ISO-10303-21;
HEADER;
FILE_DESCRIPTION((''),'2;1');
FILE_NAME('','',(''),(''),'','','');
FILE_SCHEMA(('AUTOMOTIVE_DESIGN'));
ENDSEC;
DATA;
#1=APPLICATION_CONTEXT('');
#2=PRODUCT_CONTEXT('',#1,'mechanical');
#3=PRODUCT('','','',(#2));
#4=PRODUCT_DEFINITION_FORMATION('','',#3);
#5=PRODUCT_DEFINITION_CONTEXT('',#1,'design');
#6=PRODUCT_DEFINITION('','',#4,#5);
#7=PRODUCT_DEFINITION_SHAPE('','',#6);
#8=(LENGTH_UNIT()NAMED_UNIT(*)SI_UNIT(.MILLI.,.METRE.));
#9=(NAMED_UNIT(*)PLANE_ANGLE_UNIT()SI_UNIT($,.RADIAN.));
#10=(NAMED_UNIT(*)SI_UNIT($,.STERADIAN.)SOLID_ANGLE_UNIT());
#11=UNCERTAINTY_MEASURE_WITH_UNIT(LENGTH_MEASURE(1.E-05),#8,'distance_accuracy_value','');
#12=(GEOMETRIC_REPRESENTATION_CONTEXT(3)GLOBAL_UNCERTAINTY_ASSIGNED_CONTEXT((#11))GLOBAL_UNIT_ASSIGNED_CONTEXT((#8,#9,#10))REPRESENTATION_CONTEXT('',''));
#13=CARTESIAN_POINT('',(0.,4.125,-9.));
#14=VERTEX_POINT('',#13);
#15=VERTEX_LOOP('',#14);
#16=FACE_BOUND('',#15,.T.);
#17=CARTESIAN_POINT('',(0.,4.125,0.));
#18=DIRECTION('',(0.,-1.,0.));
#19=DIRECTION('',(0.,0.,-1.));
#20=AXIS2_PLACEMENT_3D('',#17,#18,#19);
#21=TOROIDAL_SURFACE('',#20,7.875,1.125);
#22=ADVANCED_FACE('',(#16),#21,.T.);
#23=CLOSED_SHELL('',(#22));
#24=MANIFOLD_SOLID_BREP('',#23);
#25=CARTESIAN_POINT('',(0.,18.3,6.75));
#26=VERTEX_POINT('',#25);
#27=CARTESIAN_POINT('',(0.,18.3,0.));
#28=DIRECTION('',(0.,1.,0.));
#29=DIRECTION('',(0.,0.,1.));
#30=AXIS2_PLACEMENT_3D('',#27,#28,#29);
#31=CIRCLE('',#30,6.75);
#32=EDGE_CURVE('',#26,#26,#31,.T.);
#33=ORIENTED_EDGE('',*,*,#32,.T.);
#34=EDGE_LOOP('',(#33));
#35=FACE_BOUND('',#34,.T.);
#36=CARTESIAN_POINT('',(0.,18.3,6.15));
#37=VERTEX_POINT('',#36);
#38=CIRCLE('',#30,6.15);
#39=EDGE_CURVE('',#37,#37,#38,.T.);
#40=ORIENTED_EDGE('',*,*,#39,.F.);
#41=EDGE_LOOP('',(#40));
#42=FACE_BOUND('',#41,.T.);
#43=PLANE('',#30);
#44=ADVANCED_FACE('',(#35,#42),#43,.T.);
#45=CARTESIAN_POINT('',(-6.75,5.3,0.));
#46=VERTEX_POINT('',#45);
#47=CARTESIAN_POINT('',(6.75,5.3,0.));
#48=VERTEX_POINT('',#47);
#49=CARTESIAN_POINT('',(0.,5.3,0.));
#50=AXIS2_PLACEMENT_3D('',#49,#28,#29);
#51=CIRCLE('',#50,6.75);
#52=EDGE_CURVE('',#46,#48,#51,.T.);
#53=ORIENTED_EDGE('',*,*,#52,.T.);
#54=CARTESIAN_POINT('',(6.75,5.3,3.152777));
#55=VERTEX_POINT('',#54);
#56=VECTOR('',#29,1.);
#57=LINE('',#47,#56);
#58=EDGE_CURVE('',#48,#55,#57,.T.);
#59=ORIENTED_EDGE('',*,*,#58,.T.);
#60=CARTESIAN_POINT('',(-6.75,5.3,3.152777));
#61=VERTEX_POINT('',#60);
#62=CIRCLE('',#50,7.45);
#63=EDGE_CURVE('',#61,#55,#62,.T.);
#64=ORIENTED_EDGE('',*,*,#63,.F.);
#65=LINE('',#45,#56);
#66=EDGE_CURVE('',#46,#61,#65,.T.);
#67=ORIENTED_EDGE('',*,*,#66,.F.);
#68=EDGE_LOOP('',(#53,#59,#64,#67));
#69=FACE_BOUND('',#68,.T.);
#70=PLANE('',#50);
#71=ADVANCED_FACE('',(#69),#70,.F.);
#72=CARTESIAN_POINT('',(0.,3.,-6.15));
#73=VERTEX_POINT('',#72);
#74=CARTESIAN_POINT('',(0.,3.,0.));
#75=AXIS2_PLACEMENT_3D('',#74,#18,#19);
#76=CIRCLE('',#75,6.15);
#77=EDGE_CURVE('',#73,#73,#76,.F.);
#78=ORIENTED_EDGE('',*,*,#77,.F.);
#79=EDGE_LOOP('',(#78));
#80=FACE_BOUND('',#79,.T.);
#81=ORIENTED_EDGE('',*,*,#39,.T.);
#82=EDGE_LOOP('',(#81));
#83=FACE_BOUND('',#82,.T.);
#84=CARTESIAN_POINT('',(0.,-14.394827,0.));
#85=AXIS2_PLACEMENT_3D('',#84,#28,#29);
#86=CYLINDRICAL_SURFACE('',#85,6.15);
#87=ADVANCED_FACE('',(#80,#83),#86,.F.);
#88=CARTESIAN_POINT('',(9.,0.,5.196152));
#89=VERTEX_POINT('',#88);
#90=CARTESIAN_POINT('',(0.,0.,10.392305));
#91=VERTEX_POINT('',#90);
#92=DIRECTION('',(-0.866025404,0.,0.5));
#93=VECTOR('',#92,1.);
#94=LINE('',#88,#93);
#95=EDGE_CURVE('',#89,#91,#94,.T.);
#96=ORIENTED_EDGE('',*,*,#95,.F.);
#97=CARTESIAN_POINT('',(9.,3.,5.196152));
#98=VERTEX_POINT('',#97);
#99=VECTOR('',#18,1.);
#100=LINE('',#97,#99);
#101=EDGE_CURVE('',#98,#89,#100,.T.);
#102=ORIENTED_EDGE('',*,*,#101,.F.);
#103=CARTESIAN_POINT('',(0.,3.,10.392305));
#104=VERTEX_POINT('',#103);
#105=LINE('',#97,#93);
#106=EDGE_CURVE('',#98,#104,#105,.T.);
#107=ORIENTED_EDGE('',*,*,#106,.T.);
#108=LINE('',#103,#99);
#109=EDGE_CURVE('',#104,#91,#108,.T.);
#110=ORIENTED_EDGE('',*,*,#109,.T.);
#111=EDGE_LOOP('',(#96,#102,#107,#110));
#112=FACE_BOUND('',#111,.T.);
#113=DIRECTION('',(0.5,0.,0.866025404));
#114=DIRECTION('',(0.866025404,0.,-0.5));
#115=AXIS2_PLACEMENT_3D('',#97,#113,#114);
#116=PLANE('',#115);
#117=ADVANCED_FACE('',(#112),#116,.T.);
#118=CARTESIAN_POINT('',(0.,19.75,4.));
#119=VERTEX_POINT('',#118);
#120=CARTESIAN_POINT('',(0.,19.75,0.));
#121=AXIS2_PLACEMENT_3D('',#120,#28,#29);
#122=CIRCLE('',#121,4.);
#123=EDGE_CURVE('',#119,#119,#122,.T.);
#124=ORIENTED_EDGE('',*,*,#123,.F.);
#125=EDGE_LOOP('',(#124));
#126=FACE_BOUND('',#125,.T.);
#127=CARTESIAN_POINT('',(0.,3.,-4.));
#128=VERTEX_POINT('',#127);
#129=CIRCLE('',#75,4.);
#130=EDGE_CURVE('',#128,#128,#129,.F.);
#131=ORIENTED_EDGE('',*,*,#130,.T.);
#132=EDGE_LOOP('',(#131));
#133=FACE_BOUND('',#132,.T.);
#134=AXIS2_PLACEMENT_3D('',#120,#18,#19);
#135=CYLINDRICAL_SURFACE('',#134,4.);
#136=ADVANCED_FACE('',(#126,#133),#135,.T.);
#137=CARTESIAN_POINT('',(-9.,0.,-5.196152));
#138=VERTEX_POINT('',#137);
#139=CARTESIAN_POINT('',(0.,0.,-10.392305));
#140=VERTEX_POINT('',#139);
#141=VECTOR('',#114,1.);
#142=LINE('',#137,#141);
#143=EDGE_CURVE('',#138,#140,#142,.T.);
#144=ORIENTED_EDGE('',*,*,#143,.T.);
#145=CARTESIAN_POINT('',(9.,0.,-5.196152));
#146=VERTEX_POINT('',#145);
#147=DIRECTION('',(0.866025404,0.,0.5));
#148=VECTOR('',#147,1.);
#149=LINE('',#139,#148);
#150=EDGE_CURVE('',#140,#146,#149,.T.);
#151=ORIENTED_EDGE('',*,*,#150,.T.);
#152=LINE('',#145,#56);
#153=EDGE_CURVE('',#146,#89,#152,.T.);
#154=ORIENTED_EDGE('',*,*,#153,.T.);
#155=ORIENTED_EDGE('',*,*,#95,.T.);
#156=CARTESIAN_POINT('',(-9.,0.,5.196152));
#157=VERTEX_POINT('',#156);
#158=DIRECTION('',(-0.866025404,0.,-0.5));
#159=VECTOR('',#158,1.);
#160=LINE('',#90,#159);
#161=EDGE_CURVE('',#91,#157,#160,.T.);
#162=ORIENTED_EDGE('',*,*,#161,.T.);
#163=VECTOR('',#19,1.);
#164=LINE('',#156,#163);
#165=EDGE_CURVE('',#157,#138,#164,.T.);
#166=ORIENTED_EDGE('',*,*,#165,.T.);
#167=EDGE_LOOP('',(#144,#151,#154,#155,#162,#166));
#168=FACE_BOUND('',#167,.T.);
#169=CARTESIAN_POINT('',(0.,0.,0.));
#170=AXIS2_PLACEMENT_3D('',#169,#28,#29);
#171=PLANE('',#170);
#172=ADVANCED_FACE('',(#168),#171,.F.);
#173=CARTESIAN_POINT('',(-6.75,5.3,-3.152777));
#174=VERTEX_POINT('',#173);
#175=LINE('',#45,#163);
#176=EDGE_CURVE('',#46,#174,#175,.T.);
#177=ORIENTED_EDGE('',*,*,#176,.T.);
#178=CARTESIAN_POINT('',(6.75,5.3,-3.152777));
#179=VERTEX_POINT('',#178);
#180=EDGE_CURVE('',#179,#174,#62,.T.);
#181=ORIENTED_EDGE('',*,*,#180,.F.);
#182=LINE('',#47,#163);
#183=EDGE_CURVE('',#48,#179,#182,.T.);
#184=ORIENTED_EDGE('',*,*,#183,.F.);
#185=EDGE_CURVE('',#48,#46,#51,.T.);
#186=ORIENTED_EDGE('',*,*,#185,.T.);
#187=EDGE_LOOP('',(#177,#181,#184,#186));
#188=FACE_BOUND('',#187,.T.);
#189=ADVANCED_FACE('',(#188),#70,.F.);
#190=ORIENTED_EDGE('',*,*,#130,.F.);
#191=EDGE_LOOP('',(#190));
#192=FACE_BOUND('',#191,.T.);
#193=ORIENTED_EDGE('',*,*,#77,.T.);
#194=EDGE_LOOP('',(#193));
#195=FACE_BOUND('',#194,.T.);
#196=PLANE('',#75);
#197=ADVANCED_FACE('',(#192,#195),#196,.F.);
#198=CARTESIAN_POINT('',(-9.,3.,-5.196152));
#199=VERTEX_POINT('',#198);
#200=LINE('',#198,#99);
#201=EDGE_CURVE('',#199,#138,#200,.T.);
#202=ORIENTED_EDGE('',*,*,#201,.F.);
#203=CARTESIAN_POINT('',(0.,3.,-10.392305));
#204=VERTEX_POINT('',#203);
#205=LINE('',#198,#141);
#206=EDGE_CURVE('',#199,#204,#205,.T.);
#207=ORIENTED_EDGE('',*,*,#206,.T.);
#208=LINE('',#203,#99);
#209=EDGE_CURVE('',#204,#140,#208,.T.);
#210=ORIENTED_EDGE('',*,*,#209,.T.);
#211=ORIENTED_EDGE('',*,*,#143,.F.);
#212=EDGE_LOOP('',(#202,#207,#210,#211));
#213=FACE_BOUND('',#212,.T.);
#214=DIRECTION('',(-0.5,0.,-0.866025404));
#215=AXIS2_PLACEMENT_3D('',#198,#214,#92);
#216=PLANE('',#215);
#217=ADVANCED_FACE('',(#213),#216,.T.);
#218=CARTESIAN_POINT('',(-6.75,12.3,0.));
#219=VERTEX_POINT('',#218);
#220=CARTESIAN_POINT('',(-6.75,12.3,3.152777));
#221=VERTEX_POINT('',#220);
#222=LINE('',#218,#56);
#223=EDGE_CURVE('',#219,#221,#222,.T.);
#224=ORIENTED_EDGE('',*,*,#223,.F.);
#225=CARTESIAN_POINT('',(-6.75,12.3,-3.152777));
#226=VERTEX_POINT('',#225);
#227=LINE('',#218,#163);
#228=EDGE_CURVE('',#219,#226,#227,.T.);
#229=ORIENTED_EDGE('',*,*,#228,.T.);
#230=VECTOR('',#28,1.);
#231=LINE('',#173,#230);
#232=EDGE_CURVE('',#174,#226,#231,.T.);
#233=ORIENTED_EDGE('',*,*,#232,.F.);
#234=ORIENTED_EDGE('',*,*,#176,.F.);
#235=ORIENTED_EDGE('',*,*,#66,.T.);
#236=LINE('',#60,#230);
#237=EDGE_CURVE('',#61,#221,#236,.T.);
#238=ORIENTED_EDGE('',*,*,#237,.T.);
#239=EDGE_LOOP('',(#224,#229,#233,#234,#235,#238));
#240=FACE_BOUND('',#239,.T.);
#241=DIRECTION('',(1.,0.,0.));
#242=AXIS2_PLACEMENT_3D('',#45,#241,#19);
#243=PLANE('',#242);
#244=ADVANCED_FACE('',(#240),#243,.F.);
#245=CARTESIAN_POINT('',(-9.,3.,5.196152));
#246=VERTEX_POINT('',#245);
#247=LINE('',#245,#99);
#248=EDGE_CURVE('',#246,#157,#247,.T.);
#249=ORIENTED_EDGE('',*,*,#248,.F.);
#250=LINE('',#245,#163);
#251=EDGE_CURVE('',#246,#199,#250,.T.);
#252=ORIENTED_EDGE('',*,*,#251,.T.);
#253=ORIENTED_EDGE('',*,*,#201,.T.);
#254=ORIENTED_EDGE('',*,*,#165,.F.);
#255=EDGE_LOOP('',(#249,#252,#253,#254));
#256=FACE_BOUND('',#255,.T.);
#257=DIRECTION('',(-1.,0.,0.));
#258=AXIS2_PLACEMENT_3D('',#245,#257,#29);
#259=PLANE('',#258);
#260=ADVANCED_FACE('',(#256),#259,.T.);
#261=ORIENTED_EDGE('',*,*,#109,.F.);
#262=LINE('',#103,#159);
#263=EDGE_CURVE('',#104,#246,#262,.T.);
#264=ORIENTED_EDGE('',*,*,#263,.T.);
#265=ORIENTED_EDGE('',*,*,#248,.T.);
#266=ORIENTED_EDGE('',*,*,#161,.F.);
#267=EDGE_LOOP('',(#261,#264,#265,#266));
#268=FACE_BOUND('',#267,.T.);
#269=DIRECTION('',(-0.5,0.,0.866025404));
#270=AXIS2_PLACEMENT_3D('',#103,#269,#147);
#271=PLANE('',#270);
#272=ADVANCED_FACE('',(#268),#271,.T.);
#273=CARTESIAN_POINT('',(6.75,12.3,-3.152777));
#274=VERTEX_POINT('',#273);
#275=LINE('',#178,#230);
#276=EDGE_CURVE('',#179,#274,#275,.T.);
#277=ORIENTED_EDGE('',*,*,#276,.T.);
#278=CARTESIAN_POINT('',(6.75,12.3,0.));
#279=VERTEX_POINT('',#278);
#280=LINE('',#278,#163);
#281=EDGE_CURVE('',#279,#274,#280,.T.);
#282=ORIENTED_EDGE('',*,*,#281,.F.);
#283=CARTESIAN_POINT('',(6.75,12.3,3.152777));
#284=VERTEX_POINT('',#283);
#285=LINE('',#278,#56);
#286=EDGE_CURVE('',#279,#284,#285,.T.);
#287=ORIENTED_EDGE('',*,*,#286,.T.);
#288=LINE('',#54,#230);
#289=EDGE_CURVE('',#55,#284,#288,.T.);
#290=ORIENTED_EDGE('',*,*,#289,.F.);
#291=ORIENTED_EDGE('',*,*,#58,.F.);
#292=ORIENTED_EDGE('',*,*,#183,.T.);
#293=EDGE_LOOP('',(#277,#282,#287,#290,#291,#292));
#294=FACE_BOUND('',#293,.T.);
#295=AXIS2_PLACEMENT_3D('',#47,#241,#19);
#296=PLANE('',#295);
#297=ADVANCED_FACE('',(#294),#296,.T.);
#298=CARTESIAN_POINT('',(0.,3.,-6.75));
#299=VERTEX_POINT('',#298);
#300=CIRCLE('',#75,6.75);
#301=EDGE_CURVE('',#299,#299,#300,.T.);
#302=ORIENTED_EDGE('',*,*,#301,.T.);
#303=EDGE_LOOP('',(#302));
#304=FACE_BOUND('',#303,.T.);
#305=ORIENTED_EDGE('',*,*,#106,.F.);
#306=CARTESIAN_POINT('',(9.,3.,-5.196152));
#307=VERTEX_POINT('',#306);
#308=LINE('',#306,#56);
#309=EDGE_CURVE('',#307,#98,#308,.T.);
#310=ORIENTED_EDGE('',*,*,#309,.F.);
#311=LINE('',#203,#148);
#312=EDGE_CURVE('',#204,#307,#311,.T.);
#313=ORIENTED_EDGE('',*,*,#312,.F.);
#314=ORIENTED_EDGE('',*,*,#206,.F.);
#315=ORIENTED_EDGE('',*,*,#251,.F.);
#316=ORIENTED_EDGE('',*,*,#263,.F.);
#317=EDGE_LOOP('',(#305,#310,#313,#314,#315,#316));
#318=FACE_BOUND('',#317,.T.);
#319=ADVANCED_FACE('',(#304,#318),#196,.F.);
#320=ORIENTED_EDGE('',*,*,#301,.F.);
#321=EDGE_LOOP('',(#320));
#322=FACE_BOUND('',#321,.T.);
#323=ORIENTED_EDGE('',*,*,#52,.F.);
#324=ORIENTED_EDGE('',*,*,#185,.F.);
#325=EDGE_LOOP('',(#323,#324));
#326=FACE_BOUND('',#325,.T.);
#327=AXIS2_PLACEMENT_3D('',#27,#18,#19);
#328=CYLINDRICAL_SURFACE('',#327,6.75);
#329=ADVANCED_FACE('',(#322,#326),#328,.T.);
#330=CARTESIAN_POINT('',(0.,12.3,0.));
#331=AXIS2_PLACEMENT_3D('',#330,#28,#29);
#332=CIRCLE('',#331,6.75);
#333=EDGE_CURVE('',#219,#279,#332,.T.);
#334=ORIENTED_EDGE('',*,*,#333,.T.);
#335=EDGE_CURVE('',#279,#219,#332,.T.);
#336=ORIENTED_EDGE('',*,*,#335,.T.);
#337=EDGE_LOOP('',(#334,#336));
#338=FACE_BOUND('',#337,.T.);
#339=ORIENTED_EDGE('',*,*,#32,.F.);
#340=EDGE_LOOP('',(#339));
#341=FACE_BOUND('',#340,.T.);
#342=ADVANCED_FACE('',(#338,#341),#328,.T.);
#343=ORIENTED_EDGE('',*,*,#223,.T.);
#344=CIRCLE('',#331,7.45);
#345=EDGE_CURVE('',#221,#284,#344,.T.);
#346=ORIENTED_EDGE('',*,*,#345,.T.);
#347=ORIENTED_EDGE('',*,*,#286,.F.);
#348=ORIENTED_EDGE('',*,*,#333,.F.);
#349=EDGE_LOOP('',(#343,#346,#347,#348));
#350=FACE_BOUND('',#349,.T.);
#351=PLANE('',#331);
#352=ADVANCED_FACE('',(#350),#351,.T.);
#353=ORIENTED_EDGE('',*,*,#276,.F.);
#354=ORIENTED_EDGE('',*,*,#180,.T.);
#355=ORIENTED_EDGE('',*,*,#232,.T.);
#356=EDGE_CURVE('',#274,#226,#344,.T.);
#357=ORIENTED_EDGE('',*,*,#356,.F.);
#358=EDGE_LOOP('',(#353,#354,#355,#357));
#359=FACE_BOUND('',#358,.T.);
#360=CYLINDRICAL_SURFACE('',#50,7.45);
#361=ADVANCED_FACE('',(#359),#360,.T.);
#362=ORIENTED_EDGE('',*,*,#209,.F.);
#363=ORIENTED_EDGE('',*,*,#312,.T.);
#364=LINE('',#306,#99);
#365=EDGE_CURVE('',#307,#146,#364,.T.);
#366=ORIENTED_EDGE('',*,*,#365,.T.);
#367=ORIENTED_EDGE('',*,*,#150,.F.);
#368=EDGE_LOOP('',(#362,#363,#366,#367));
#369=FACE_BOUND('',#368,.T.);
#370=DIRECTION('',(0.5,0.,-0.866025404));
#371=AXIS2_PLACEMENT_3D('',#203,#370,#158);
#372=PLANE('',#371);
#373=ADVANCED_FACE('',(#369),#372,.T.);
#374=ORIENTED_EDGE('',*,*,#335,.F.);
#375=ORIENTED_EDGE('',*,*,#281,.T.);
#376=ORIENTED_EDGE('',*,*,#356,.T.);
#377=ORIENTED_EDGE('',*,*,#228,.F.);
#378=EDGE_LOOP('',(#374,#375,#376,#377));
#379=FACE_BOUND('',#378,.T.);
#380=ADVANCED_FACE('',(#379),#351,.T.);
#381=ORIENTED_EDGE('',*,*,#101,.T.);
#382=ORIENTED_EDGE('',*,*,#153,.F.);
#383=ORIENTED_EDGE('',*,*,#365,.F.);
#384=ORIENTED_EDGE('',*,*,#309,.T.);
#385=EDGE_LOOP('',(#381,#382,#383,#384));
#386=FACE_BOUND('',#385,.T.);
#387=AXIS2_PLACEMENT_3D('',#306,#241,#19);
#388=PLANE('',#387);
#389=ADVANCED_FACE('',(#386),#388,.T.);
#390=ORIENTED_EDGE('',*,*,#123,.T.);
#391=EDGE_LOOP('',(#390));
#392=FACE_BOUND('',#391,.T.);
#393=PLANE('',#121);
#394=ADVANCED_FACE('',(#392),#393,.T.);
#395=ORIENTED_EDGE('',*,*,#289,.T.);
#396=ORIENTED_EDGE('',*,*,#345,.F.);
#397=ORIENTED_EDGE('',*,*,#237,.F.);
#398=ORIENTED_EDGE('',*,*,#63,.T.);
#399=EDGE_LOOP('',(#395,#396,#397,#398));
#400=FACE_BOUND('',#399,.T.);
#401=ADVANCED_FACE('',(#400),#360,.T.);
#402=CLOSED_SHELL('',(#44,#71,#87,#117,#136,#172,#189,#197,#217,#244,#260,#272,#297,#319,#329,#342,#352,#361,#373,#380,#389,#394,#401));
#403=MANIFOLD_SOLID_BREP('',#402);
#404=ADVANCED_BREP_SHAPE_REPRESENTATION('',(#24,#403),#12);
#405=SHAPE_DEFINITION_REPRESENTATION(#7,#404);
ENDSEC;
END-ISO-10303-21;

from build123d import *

# Parameters (mm, degrees)
SKETCH1_R           = 6.75
BOSS_EXTRUDE1_DEPTH = 18.3
BOSS_EXTRUDE2_DEPTH = 3
SKETCH3_R           = 6.15
CUT_EXTRUDE1_DEPTH  = 15.3
SKETCH4_R           = 4
BOSS_EXTRUDE3_DEPTH = 16.75
SKETCH5_R           = 1.125
BOSS_EXTRUDE4_START = -7
BOSS_EXTRUDE4_DEPTH = 7


with BuildPart() as part:
    # Sketch1 → Boss-Extrude1 (new body)
    with BuildSketch(Plane(origin=(0, 0, 0), x_dir=(1, 0, 0), z_dir=(0, 1, 0))):
        with Locations(Location((0, 0, 0), (0, 0, 270))):
            Circle(SKETCH1_R)
    extrude(amount=BOSS_EXTRUDE1_DEPTH)

    # Sketch2 → Boss-Extrude2 (add)
    with BuildSketch(Plane.XZ):
        Polygon((0, 10.392304845), (-9, 5.196152423), (-9, -5.196152423), (0, -10.392304845), (9, -5.196152423), (9, 5.196152423), align=None)
    extrude(amount=-BOSS_EXTRUDE2_DEPTH)

    # Sketch3 → Cut-Extrude1 (cut)
    with BuildSketch(Plane(origin=(0, 18.3, 0), x_dir=(1, 0, 0), z_dir=(0, 1, 0))):
        with Locations(Location((0, 0, 0), (0, 0, 270))):
            Circle(SKETCH3_R)
    extrude(amount=-CUT_EXTRUDE1_DEPTH, mode=Mode.SUBTRACT)

    # Sketch4 → Boss-Extrude3 (add)
    with BuildSketch(Plane(origin=(0, 3, 0), x_dir=(1, 0, 0), z_dir=(0, 1, 0))):
        with Locations(Location((0, 0, 0), (0, 0, 90))):
            Circle(SKETCH4_R)
    extrude(amount=BOSS_EXTRUDE3_DEPTH)

    # Sketch6 → Boss-Extrude4 (add)
    with BuildSketch(Plane(origin=(0, 12.3, 0), x_dir=(1, 0, 0), z_dir=(0, 1, 0)).offset(BOSS_EXTRUDE4_START)):
        with BuildLine():
            Line((-6.75, 3.152776554), (-6.75, 0))
            ThreePointArc((-6.75, 0), (0, 6.75), (6.75, 0))
            Line((6.75, 0), (6.75, 3.152776554))
            ThreePointArc((6.75, 3.152776554), (0, 7.45), (-6.75, 3.152776554))
        make_face()
        with BuildLine():
            ThreePointArc((6.75, 0), (0, -6.75), (-6.75, 0))
            Line((-6.75, 0), (-6.75, -3.152776554))
            ThreePointArc((-6.75, -3.152776554), (0, -7.45), (6.75, -3.152776554))
            Line((6.75, -3.152776554), (6.75, 0))
        make_face()
    extrude(amount=BOSS_EXTRUDE4_DEPTH)


with BuildPart() as body_2:
    # Sketch5 → Revolve1 (revolve)
    with BuildSketch(Plane.XY, mode=Mode.PRIVATE) as revolve1_sk:
        with Locations((-7.875, 4.125)):
            Circle(SKETCH5_R)
    revolve(revolve1_sk.sketch.rotate(Axis((0, -2.633476414, 0), (0, 1, 0)), 270), axis=Axis((0, -2.633476414, 0), (0, 1, 0)))


solid = Compound([part.part, body_2.part])
